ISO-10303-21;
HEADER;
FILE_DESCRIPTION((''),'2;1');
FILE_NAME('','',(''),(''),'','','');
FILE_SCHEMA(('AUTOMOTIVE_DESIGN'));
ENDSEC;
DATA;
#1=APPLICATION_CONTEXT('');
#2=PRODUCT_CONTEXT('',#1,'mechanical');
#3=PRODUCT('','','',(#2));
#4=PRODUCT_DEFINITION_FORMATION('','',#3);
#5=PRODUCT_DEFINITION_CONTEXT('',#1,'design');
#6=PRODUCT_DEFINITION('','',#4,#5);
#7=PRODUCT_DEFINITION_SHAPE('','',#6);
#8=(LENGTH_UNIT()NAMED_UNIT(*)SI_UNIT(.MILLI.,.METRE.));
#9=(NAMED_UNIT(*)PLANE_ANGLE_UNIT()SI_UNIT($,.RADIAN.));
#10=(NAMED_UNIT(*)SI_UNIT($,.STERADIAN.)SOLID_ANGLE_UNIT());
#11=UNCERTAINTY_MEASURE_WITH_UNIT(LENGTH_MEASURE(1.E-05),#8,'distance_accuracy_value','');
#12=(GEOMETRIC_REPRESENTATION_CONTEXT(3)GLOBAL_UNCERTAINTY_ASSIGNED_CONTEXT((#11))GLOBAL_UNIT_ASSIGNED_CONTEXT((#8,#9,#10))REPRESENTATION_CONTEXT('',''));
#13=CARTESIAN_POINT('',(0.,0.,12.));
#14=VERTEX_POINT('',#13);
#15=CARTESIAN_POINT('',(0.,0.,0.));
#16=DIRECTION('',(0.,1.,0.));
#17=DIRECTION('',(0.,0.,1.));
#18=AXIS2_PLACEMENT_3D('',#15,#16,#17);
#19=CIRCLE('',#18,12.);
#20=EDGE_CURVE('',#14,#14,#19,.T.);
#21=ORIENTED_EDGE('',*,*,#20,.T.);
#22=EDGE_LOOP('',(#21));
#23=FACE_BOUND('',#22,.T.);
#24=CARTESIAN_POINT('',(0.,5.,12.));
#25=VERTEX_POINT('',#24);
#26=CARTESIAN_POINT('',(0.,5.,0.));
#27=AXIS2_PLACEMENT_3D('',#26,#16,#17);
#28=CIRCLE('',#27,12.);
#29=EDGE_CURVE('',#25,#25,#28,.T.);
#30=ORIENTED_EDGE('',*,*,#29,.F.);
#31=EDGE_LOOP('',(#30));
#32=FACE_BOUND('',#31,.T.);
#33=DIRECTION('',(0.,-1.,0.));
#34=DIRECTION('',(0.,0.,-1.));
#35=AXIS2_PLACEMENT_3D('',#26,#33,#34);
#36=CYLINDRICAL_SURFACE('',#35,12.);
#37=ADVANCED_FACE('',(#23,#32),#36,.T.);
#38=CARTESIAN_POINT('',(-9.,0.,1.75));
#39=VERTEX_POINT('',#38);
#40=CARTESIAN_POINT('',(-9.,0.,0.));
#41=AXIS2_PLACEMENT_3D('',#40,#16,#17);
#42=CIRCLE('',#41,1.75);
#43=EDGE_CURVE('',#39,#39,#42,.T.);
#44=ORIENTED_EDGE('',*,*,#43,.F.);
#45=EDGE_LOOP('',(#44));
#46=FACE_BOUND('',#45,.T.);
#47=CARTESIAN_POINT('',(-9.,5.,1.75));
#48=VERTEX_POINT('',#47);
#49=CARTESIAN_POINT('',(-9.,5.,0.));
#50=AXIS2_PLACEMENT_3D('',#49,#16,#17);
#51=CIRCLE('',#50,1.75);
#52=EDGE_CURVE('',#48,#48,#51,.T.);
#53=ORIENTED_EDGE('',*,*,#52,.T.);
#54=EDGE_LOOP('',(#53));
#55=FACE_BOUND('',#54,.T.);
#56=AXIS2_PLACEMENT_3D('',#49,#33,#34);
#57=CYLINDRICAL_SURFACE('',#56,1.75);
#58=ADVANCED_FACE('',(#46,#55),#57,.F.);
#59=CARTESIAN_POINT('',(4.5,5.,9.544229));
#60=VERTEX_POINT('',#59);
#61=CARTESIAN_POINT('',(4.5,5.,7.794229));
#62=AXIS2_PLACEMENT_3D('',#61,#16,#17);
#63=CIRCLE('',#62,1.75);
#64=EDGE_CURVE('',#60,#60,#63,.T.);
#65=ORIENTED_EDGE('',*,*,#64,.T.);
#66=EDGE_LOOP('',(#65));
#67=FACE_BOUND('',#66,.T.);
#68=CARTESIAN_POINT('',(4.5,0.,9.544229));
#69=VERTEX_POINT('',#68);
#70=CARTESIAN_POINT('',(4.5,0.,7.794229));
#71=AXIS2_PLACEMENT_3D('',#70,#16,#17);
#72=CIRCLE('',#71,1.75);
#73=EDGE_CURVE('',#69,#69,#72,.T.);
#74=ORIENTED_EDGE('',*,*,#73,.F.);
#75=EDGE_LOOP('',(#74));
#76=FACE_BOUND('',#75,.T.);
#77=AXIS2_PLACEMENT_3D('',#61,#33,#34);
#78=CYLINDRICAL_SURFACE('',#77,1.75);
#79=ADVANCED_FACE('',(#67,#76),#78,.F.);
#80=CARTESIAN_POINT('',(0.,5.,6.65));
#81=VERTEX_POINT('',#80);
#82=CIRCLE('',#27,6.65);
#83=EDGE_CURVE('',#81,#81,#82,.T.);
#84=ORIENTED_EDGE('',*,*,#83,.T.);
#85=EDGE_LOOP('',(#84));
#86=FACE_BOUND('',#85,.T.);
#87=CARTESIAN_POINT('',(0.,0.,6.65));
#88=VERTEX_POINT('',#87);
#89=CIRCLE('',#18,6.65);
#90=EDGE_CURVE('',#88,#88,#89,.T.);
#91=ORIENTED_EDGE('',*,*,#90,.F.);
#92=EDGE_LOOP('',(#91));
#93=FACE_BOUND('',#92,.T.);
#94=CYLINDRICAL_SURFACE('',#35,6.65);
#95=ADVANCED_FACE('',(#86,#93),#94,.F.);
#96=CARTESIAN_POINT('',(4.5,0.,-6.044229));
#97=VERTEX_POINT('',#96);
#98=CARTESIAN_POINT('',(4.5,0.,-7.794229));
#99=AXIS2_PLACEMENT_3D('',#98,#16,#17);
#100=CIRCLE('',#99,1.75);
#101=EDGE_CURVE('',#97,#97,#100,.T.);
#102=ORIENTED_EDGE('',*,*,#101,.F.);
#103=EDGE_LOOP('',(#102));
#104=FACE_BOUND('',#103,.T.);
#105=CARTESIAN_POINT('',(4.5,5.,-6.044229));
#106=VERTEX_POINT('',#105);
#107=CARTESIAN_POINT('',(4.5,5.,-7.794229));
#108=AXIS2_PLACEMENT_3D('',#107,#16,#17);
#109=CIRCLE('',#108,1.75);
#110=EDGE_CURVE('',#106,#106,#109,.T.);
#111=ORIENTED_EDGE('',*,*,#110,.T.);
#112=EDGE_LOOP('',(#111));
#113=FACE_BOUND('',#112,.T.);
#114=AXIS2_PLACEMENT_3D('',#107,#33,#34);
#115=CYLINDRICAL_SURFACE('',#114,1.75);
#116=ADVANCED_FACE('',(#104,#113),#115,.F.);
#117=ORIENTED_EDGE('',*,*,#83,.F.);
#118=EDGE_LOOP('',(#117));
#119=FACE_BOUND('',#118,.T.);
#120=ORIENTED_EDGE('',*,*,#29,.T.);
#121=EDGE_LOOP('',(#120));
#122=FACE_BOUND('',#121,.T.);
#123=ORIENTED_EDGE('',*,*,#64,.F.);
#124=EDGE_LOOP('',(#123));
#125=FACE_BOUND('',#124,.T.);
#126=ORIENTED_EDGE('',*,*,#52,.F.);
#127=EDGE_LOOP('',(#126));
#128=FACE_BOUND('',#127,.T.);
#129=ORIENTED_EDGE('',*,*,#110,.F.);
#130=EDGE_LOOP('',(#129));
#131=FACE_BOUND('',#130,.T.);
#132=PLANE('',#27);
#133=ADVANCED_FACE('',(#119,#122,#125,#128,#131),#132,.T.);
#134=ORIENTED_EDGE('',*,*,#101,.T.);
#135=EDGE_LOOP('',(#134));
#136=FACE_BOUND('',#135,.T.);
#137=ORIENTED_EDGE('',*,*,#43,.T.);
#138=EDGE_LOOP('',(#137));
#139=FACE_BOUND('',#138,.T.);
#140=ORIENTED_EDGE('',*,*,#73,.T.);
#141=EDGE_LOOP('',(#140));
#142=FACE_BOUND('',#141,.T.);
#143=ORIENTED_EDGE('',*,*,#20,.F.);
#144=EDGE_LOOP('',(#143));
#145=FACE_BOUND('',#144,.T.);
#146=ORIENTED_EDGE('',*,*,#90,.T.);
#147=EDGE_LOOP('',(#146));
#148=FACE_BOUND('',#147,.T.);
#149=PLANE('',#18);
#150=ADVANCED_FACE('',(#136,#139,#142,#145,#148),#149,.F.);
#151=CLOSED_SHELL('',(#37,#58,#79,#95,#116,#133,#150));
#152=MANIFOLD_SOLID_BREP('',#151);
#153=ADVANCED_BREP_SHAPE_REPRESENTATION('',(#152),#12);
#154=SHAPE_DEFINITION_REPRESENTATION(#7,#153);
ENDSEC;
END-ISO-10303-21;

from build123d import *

# Parameters (mm, degrees)
SKETCH_1_R      = 12
SKETCH_1_R_2    = 6.65
SKETCH_1_R_3    = 1.75
EXTRUDE_1_DEPTH = 5


with BuildPart() as part:
    # Эскиз1 → Бобышка-Вытянуть1 (new body)
    with BuildSketch(Plane(origin=(0, 0, 0), x_dir=(1, 0, 0), z_dir=(0, 1, 0))):
        with Locations(Location((0, 0, 0), (0, 0, 270))):
            Circle(SKETCH_1_R)
        with Locations(Location((0, 0, 0), (0, 0, 270))):
            Circle(SKETCH_1_R_2, mode=Mode.SUBTRACT)
        with Locations(Location((-9, 0, 0), (0, 0, 270))):
            Circle(SKETCH_1_R_3, mode=Mode.SUBTRACT)
        with Locations(Location((4.5, 7.794228634, 0), (0, 0, 270))):
            Circle(SKETCH_1_R_3, mode=Mode.SUBTRACT)
        with Locations(Location((4.5, -7.794228634, 0), (0, 0, 270))):
            Circle(SKETCH_1_R_3, mode=Mode.SUBTRACT)
    extrude(amount=EXTRUDE_1_DEPTH)


solid = part.part
